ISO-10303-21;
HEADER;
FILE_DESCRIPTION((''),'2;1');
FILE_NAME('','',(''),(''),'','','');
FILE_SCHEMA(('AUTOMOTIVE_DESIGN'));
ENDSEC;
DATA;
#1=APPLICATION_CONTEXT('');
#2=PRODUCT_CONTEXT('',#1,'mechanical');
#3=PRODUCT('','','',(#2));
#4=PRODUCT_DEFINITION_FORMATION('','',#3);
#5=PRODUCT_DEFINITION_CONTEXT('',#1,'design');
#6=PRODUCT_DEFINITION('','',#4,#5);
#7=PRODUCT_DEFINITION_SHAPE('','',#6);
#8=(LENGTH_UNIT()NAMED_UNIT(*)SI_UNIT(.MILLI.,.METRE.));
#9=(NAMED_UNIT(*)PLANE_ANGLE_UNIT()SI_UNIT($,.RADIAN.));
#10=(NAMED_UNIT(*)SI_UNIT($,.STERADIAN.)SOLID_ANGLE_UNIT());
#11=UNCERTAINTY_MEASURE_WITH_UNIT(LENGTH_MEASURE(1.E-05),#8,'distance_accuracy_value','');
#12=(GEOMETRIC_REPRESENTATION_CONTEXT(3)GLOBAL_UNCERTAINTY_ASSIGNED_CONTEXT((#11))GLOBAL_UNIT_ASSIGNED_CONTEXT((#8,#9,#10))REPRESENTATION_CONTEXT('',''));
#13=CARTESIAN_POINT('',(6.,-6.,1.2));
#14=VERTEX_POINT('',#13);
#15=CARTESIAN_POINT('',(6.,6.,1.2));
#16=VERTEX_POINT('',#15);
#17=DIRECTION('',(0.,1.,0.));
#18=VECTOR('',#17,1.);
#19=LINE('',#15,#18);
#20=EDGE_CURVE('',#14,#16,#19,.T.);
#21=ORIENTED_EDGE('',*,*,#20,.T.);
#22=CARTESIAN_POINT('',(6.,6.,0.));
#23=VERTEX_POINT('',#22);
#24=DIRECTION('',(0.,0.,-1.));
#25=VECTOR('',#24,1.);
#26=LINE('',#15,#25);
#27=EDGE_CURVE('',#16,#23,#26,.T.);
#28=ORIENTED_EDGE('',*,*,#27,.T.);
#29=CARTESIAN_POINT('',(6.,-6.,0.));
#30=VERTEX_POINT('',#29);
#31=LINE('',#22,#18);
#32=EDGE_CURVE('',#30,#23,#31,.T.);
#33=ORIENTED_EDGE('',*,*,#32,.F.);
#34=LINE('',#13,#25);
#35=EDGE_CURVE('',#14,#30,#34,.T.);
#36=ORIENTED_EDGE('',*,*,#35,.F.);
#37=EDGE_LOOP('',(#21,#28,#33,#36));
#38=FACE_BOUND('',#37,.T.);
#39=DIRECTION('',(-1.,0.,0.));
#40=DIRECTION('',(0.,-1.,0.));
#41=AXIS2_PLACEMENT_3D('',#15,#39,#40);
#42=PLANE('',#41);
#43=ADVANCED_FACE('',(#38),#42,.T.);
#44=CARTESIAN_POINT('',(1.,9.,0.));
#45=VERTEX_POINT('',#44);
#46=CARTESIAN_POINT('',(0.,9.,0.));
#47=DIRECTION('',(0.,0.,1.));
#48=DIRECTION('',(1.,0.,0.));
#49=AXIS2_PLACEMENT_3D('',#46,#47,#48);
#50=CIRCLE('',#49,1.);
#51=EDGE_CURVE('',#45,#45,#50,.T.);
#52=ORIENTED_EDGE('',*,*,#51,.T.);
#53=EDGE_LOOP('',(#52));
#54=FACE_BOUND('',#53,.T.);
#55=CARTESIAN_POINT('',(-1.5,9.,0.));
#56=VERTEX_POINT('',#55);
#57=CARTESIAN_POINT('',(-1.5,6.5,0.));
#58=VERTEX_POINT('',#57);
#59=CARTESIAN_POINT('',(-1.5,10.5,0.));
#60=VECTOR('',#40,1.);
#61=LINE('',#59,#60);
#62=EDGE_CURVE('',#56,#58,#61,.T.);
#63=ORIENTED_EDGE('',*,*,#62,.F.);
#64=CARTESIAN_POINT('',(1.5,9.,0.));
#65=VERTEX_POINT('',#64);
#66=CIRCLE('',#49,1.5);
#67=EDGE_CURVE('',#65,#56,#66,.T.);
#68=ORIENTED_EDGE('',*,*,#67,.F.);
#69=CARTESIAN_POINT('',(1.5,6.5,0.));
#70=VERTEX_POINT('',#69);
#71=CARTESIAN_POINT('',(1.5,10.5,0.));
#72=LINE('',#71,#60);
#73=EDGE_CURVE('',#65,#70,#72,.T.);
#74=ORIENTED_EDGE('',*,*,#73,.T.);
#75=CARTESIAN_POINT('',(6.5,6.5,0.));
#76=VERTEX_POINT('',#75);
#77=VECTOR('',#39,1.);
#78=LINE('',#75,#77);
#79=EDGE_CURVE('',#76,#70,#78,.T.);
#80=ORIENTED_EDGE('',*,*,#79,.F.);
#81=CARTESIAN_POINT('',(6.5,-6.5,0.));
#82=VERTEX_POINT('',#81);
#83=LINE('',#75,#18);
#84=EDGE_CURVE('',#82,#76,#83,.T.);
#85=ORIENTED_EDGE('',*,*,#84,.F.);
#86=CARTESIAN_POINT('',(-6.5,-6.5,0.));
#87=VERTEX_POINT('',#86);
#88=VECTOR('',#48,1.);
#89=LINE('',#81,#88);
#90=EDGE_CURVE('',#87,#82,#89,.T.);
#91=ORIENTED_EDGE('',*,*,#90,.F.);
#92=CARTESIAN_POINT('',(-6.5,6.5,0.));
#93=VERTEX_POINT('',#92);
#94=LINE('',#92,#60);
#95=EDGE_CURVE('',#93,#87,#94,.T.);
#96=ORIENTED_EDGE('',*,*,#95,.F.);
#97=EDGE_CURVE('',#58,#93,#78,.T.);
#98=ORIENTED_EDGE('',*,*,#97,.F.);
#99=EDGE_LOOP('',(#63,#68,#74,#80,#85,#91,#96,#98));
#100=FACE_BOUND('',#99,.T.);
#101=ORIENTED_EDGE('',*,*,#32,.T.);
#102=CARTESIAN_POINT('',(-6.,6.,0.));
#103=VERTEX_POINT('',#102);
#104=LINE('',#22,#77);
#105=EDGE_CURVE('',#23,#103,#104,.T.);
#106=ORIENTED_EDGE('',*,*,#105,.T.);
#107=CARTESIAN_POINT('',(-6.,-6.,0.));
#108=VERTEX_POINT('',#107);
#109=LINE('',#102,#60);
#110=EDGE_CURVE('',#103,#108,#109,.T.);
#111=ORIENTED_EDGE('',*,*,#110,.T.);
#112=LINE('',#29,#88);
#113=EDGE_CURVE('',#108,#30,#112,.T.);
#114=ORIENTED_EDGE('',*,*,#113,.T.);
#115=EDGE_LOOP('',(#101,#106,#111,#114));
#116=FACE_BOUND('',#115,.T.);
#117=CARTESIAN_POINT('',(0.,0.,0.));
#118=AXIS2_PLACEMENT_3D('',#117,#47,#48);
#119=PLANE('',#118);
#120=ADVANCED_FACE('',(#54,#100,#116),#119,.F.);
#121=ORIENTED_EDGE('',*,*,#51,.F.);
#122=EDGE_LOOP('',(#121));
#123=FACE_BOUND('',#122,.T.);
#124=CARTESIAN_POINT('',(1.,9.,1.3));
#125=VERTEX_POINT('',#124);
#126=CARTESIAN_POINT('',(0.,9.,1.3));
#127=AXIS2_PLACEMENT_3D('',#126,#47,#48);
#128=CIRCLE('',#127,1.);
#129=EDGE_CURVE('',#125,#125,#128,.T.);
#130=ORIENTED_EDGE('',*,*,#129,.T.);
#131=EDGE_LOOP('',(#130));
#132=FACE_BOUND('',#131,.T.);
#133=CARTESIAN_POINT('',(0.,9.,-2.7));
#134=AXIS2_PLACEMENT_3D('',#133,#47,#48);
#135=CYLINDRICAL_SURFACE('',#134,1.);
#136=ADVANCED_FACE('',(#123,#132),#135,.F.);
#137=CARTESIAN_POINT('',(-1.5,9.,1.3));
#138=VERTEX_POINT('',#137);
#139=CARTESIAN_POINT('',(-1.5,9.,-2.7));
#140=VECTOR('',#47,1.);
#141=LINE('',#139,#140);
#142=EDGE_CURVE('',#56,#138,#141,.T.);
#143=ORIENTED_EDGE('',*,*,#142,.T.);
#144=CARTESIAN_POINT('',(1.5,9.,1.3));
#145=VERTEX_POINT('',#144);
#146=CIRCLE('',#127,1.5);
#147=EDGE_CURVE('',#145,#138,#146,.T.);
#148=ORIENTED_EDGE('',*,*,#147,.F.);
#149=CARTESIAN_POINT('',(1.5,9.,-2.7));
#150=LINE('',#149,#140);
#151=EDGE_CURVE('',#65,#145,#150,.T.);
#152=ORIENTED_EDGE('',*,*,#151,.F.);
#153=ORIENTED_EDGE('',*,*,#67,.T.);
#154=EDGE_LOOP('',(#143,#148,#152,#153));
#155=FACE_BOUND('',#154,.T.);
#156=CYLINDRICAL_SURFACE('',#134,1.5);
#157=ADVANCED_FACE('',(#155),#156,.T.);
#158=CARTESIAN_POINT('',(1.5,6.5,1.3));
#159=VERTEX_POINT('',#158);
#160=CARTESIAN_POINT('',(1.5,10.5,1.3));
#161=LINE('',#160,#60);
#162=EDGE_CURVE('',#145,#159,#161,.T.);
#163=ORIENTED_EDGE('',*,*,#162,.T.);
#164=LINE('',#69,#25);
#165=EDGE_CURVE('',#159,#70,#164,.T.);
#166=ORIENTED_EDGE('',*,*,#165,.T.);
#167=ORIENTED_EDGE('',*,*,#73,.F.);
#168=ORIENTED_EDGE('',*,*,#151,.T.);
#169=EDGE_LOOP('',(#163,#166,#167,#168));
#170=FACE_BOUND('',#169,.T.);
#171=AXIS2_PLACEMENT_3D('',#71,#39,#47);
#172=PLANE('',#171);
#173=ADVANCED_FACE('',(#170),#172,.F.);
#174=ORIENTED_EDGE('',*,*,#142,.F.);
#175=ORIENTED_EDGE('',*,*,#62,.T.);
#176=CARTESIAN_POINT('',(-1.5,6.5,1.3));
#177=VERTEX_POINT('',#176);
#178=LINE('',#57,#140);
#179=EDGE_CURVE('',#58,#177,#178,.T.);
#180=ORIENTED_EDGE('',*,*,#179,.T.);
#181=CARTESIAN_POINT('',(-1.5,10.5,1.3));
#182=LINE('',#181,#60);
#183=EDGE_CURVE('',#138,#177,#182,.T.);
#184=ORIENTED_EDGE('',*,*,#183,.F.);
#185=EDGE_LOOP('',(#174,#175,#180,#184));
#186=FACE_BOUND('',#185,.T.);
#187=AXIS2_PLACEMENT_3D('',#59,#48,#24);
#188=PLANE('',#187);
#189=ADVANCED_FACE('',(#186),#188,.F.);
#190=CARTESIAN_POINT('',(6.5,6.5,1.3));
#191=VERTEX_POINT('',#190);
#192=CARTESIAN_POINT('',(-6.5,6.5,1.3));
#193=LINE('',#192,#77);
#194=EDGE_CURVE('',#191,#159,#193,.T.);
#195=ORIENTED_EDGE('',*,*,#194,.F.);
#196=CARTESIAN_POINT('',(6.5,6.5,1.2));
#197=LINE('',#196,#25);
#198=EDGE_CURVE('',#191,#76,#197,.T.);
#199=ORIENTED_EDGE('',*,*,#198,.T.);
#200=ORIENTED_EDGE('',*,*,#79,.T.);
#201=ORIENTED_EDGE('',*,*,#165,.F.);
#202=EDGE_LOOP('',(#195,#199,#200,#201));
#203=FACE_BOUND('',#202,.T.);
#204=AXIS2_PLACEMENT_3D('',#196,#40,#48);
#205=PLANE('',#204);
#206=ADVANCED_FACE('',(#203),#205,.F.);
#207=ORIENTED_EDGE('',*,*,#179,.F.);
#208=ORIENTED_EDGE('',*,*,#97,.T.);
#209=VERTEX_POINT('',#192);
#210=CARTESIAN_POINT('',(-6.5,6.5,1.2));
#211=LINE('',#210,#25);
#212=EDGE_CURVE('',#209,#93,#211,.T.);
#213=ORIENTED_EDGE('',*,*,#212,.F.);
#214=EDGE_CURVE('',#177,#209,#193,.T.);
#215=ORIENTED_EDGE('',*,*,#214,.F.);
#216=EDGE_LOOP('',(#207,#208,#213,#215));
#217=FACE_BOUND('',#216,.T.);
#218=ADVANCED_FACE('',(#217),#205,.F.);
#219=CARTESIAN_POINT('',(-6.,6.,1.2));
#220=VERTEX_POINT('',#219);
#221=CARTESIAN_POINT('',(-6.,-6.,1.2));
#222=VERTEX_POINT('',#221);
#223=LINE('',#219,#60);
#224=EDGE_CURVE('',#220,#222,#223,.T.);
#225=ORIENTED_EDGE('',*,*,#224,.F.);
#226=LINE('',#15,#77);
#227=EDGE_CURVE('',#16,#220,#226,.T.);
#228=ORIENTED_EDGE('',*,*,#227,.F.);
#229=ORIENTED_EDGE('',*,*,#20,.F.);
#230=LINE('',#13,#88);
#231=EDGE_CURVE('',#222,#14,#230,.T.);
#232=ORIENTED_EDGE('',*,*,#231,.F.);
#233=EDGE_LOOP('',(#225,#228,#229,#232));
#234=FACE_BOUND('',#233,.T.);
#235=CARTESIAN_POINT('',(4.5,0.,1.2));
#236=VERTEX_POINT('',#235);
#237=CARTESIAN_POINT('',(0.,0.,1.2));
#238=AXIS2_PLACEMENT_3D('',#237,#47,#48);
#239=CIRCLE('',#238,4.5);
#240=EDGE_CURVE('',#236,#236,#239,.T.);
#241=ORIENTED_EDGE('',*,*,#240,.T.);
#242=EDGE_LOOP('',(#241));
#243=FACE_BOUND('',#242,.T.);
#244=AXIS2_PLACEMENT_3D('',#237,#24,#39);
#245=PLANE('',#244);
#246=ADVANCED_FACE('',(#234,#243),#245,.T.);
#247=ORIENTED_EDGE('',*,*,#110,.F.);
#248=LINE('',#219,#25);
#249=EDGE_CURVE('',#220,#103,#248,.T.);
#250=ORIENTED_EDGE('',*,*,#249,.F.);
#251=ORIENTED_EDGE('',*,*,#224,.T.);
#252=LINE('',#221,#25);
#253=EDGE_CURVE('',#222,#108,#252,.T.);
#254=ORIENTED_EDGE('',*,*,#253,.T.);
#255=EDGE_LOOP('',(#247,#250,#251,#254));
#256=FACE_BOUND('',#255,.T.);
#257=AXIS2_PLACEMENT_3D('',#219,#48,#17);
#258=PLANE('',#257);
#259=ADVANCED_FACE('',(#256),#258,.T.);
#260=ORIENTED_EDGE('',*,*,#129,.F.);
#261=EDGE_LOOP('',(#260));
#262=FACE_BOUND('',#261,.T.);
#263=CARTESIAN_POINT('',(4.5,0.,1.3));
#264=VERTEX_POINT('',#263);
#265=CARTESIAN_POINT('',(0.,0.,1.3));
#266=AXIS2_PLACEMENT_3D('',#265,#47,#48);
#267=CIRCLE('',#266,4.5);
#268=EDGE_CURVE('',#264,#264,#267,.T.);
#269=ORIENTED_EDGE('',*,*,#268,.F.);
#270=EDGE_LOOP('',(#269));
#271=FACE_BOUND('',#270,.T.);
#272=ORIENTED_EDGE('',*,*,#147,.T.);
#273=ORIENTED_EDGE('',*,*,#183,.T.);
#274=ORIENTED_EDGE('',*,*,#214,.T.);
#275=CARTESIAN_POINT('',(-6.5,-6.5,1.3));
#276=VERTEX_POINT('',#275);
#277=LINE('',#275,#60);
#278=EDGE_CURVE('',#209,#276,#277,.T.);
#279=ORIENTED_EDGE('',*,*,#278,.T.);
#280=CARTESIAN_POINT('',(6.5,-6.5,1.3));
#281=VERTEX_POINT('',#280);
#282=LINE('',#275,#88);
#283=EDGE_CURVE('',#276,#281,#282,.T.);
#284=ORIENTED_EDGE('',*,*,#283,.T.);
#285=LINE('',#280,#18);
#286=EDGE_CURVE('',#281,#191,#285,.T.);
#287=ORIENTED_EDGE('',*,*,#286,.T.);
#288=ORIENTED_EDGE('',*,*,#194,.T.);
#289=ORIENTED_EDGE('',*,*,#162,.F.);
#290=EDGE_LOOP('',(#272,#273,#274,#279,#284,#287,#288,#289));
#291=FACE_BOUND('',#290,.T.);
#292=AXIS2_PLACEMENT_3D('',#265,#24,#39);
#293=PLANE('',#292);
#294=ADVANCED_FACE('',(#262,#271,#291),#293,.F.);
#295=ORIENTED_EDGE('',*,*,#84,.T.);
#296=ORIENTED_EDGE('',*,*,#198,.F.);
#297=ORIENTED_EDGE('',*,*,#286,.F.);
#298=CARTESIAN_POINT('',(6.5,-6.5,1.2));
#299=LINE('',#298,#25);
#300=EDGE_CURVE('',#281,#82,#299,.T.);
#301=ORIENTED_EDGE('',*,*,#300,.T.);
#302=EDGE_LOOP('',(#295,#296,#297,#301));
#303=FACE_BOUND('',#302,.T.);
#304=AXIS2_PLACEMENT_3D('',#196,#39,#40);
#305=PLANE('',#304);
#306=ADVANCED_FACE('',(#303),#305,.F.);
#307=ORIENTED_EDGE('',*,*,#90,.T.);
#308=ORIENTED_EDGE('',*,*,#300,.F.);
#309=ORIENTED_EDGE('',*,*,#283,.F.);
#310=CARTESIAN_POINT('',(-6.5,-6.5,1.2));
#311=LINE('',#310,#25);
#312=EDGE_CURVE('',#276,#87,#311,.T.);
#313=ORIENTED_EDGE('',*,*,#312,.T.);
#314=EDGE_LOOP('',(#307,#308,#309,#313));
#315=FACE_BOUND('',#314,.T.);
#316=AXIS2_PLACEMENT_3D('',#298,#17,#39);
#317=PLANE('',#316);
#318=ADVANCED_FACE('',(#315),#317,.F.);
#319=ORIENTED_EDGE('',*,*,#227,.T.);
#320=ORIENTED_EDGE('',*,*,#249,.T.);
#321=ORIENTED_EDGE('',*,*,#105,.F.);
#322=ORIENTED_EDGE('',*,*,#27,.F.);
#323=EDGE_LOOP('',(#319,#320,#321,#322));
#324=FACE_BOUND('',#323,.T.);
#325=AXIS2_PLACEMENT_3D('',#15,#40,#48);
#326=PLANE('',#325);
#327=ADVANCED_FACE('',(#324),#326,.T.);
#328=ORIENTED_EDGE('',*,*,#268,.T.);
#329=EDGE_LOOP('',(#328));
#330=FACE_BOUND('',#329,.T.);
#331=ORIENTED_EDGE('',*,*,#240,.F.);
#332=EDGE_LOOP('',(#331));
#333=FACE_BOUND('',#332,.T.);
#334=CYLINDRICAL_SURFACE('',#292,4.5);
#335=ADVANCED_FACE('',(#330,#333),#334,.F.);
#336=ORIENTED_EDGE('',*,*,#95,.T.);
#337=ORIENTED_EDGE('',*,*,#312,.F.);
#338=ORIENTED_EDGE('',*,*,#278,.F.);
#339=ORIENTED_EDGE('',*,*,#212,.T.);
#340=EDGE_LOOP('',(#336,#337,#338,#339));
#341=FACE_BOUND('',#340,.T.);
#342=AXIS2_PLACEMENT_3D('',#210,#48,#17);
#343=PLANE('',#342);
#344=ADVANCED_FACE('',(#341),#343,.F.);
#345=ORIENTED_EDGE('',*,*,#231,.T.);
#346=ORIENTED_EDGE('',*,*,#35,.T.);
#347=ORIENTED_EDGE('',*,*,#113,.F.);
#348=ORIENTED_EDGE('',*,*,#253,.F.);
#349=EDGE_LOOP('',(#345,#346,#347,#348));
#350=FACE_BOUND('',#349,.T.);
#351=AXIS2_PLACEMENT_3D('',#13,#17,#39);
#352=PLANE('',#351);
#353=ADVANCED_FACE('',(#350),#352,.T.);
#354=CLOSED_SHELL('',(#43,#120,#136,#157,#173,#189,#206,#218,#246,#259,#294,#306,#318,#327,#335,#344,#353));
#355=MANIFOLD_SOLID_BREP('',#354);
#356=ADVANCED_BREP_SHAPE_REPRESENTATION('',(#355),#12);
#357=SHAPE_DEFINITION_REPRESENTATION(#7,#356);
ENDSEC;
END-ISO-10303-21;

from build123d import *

# Parameters (mm, degrees)
SKETCH_1_W          = 13
SKETCH_1_H          = 13
SKETCH_1_W_2        = 12
SKETCH_1_H_2        = 12
EXTRUDE_1_DEPTH     = 1.2
SKETCH_2_W          = 13
SKETCH_2_H          = 13
SKETCH_2_R          = 4.5
EXTRUDE_2_DEPTH     = 0.1
SKETCH_3_W          = 3
SKETCH_3_H          = 1.3
EXTRUDE_3_DEPTH     = 4
CUT_EXTRUDE_1_DEPTH = 4
SKETCH_5_R          = 1
CUT_EXTRUDE_2_DEPTH = 4


with BuildPart() as part:
    # 草图1 → 凸台-拉伸1 (new body)
    with BuildSketch(Plane.XY):
        Rectangle(SKETCH_1_W, SKETCH_1_H)
        Rectangle(SKETCH_1_W_2, SKETCH_1_H_2, mode=Mode.SUBTRACT)
    extrude(amount=EXTRUDE_1_DEPTH)

    # 草图2 → 凸台-拉伸2 (add)
    with BuildSketch(Plane.XY.offset(1.2)):
        Rectangle(SKETCH_2_W, SKETCH_2_H)
        Circle(SKETCH_2_R, mode=Mode.SUBTRACT)
    extrude(amount=EXTRUDE_2_DEPTH)

    # 草图3 → 凸台-拉伸3 (add)
    with BuildSketch(Plane(origin=(0, 6.5, 0), x_dir=(1, 0, 0), z_dir=(0, 1, 0))):
        with Locations((0, -0.65)):
            Rectangle(SKETCH_3_W, SKETCH_3_H)
    extrude(amount=EXTRUDE_3_DEPTH)

    # 草图4 → 切除-拉伸1 (cut)
    with BuildSketch(Plane.XY.offset(1.3)):
        with BuildLine():
            Line((-1.5, 10.5), (-1.5, 9))
            ThreePointArc((-1.5, 9), (-1.060660172, 10.060660172), (0, 10.5))
            Line((0, 10.5), (-1.5, 10.5))
        make_face()
        with BuildLine():
            ThreePointArc((0, 10.5), (1.060660172, 10.060660172), (1.5, 9))
            Line((1.5, 9), (1.5, 10.5))
            Line((1.5, 10.5), (0, 10.5))
        make_face()
    extrude(amount=-CUT_EXTRUDE_1_DEPTH, mode=Mode.SUBTRACT)

    # 草图5 → 切除-拉伸2 (cut)
    with BuildSketch(Plane.XY.offset(1.3)):
        with Locations((0, 9)):
            Circle(SKETCH_5_R)
    extrude(amount=-CUT_EXTRUDE_2_DEPTH, mode=Mode.SUBTRACT)


solid = part.part
